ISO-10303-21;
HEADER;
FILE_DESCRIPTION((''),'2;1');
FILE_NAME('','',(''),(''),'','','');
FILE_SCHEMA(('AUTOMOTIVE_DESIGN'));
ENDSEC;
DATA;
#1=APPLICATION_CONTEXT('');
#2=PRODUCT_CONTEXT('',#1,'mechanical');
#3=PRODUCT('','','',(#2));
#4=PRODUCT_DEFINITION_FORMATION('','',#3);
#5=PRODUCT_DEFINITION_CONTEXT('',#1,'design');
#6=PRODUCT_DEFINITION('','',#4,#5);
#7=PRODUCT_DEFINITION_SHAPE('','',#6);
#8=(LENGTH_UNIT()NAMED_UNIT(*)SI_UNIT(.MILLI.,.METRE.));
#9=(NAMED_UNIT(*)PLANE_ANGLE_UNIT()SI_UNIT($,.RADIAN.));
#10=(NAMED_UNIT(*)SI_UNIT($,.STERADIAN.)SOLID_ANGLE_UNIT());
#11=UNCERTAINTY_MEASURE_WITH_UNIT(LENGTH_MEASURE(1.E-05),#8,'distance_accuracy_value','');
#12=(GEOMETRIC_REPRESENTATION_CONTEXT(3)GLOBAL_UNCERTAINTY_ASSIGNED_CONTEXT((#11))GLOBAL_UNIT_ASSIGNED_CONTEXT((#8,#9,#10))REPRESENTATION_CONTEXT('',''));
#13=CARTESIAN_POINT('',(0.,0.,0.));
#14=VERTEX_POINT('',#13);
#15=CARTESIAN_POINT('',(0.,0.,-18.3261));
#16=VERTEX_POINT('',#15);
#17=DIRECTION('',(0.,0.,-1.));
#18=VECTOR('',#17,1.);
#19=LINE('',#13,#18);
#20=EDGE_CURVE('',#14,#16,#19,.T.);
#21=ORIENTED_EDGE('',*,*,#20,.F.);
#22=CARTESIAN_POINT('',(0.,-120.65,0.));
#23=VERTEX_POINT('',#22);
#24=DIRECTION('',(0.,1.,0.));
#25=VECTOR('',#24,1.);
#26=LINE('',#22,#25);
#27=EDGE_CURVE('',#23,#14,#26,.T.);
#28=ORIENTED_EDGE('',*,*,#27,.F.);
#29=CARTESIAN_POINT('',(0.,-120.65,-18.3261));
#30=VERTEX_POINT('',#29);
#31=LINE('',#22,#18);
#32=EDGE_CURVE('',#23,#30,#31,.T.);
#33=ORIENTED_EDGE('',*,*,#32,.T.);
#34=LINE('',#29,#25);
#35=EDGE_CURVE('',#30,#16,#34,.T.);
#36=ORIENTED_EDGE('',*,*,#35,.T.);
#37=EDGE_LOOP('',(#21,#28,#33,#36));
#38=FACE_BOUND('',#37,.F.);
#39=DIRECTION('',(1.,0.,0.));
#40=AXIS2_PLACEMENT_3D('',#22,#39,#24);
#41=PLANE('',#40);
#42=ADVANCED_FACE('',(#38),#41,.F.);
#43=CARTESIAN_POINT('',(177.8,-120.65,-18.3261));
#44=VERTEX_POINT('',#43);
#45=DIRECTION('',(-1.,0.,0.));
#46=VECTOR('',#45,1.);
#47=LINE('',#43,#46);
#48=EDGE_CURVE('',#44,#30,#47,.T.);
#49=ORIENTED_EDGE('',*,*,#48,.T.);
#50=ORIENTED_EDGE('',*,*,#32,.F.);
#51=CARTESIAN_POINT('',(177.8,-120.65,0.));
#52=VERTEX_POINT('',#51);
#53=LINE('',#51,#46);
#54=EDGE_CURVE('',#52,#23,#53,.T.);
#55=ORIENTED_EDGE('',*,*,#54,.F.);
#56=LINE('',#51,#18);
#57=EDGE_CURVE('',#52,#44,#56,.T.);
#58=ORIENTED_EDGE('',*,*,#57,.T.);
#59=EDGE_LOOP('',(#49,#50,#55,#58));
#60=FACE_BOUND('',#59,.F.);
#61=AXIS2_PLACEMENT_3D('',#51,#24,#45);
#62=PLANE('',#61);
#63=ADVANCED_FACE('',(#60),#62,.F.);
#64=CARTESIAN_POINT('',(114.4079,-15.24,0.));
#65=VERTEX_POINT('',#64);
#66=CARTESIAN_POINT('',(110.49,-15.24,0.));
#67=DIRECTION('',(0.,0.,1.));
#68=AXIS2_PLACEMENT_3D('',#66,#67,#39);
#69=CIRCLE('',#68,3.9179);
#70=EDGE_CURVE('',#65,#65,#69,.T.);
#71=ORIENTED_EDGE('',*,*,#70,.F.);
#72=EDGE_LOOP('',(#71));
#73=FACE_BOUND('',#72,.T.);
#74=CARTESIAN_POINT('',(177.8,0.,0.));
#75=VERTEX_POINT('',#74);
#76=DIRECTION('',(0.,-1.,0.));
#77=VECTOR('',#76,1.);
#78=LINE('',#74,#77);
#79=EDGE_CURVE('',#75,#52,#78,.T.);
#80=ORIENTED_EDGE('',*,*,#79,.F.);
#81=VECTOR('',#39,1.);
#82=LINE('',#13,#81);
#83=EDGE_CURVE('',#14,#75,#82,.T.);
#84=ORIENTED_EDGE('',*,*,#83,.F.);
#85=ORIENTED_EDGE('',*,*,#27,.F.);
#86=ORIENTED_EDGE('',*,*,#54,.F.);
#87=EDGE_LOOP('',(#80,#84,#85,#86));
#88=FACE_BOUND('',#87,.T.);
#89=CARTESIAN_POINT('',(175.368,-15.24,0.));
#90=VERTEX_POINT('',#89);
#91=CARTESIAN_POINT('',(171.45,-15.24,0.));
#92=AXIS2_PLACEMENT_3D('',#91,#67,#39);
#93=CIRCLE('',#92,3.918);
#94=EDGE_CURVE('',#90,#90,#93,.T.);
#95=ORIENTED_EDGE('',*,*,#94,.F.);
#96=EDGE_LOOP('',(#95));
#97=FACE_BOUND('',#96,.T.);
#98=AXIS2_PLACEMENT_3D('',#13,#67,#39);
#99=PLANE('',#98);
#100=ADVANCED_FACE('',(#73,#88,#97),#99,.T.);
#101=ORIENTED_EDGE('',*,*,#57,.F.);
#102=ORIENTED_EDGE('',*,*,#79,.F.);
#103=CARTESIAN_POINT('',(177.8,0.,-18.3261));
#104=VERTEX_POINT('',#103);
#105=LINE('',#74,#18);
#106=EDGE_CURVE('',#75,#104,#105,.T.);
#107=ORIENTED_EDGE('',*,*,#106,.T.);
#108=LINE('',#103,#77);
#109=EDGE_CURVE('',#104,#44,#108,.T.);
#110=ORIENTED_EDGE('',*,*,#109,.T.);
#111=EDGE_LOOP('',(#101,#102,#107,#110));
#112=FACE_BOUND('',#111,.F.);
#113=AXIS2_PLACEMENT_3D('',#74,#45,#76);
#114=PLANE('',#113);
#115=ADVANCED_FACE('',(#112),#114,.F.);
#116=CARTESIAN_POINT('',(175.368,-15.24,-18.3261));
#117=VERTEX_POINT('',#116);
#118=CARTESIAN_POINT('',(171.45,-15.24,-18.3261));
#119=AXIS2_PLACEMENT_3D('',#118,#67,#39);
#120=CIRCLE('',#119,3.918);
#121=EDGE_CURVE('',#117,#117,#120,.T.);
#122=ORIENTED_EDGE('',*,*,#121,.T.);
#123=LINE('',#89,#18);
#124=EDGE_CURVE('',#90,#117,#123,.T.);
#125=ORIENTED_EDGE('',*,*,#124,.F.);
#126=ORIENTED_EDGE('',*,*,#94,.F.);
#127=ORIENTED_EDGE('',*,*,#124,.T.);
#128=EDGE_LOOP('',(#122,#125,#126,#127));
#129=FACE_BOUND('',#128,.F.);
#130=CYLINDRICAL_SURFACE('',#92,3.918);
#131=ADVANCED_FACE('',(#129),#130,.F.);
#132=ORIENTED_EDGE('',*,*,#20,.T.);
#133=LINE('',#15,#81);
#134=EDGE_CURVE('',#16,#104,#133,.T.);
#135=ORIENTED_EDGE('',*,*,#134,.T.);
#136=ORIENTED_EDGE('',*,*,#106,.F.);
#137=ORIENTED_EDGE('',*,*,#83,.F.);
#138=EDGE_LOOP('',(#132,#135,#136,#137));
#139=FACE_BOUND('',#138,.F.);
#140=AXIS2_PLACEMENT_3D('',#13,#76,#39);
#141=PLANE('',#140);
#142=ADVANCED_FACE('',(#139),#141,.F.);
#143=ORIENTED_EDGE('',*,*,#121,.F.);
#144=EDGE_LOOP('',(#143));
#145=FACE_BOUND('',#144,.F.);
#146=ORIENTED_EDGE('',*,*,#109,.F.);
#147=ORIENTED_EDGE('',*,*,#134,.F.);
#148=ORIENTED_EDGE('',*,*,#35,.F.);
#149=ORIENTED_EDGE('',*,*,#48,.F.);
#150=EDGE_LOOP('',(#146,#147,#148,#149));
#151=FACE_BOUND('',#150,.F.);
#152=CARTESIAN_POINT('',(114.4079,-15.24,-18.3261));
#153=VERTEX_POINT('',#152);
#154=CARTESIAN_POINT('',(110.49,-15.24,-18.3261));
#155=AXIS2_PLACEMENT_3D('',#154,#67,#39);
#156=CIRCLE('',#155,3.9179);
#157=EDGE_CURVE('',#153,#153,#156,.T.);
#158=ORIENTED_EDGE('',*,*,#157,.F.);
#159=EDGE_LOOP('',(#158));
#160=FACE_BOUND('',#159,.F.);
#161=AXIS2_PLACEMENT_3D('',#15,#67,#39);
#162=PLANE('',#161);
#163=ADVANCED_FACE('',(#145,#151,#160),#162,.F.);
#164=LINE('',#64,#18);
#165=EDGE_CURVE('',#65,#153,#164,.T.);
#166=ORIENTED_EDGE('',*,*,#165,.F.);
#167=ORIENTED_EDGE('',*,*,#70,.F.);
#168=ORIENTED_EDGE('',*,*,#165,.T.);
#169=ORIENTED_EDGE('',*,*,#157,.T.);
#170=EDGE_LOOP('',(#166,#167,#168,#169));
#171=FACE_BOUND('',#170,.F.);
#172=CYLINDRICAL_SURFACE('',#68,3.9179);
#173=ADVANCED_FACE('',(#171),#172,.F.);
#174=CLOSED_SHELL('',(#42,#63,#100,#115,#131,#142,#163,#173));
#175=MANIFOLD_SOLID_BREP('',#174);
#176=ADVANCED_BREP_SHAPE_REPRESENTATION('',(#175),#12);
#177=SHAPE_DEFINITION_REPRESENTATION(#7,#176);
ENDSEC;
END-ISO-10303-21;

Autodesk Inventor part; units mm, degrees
ref_plane "YZ Plane" through (0, 0, 0) normal (1, 0, 0) x (0, 1, 0)
ref_plane "XZ Plane" through (0, 0, 0) normal (0, 1, 0) x (-1, 0, 0)
ref_plane "XY Plane" through (0, 0, 0) normal (0, 0, 1) x (1, 0, 0)
sketch "Sketch1" plane through (0, 0, 0) normal (0, 0, 1) x (1, 0, 0)
  line L0 (0, 0) -> (177.8, 0)
  line L1 (177.8, 0) -> (177.8, -120.65)
  line L2 (177.8, -120.65) -> (0, -120.65)
  line L3 (0, -120.65) -> (0, 0)
  circle A0 centre (110.49, -15.24) radius 3.9179
  circle A1 centre (171.45, -15.24) radius 3.918
  dimension "d0" = 177.8
  dimension "d1" = 120.65
  dimension "d2" = 7.8359
  dimension "d3" = 105.41
  dimension "d4" = 110.49
  dimension "d5" = 7.8359
  dimension "d6" = 60.96
extrude "Extrusion1" add sketch "Sketch1" against normal blind 18.3261
properties part number "Small bumper Kermit"
